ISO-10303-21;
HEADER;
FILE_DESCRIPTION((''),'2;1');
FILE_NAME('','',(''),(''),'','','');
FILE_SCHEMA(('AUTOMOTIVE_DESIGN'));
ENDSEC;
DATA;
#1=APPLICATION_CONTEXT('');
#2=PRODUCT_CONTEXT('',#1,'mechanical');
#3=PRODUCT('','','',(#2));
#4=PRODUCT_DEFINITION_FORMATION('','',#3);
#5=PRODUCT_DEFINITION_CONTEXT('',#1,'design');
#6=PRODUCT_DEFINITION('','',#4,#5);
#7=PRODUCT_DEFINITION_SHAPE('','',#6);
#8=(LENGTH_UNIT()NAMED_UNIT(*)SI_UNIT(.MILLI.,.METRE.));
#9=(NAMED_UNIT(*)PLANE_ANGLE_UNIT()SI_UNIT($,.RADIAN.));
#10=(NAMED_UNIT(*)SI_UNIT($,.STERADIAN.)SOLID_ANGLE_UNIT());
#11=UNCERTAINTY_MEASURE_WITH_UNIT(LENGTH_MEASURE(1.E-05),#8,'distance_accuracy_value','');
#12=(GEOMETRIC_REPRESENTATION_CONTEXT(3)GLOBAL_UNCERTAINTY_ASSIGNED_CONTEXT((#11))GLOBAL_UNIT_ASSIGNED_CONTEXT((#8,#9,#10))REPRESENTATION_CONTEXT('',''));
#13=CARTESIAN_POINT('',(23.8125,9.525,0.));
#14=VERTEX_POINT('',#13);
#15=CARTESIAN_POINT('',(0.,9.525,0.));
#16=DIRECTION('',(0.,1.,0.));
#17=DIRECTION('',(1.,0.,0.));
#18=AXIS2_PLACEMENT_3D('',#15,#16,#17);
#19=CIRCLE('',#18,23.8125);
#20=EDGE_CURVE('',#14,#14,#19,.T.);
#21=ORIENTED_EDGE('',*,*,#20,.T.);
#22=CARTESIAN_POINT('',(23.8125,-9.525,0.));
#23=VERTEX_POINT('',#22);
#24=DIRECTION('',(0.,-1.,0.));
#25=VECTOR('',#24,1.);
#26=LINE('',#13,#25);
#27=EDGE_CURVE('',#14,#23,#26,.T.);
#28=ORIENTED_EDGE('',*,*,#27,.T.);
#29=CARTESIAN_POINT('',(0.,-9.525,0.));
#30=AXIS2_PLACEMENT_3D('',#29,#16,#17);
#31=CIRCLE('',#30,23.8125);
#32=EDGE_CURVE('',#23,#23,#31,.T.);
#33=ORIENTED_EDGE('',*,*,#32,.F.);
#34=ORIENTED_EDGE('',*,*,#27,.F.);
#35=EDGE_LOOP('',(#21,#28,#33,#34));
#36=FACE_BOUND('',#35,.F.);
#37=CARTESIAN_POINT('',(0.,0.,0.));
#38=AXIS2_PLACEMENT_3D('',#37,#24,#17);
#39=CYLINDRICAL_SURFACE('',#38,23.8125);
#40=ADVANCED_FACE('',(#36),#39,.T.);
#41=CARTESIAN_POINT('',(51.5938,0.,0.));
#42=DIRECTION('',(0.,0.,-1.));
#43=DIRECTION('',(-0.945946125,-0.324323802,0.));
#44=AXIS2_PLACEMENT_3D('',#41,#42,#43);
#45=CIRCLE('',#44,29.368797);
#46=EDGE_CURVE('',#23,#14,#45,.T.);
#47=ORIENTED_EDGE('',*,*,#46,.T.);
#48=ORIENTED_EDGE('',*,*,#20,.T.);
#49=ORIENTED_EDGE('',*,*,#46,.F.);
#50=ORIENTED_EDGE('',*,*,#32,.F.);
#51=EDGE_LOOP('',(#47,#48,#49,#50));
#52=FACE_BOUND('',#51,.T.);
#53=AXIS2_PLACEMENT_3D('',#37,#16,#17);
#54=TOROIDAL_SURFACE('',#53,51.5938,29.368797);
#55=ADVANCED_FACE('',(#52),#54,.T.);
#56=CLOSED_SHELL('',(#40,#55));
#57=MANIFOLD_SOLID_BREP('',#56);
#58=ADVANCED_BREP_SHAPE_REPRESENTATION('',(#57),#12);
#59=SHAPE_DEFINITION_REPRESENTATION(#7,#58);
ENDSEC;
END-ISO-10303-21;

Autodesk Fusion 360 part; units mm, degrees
sketch "Sketch1" plane through (0, 0, 0) normal (0, 0, 1) x (1, 0, 0)
  line L0 (-22.225, 0) -> (-23.8125, 0)
  line L1 (-23.8125, 0) -> (-23.8125, 9.525)
  line L2 (-23.8125, 0) -> (-23.8125, -9.525)
  arc A0 (-23.8125, -9.525) -> (-23.8125, 9.525) centre (-51.5938, 0) ccw
  dimension "d1" = 22.225
  dimension "d2" = 1.5875
  dimension "d3" = 9.525
  dimension "d4" = 9.525
sketch "Sketch2" plane through (0, 0, 0) normal (0, 1, 0) x (1, 0, 0)
  circle A0 centre (0, 0) radius 23.8125
  dimension "d5" = 47.625
sweep "Sweep1" add profiles "Sketch1" path "Sketch2" along A0 section 1
equation "d2 = ( 1 / 16 ) * 1 in"
equation "d3 = ( 3 / 8 ) * 1 in"
equation "d4 = ( 3 / 8 ) * 1 in"
